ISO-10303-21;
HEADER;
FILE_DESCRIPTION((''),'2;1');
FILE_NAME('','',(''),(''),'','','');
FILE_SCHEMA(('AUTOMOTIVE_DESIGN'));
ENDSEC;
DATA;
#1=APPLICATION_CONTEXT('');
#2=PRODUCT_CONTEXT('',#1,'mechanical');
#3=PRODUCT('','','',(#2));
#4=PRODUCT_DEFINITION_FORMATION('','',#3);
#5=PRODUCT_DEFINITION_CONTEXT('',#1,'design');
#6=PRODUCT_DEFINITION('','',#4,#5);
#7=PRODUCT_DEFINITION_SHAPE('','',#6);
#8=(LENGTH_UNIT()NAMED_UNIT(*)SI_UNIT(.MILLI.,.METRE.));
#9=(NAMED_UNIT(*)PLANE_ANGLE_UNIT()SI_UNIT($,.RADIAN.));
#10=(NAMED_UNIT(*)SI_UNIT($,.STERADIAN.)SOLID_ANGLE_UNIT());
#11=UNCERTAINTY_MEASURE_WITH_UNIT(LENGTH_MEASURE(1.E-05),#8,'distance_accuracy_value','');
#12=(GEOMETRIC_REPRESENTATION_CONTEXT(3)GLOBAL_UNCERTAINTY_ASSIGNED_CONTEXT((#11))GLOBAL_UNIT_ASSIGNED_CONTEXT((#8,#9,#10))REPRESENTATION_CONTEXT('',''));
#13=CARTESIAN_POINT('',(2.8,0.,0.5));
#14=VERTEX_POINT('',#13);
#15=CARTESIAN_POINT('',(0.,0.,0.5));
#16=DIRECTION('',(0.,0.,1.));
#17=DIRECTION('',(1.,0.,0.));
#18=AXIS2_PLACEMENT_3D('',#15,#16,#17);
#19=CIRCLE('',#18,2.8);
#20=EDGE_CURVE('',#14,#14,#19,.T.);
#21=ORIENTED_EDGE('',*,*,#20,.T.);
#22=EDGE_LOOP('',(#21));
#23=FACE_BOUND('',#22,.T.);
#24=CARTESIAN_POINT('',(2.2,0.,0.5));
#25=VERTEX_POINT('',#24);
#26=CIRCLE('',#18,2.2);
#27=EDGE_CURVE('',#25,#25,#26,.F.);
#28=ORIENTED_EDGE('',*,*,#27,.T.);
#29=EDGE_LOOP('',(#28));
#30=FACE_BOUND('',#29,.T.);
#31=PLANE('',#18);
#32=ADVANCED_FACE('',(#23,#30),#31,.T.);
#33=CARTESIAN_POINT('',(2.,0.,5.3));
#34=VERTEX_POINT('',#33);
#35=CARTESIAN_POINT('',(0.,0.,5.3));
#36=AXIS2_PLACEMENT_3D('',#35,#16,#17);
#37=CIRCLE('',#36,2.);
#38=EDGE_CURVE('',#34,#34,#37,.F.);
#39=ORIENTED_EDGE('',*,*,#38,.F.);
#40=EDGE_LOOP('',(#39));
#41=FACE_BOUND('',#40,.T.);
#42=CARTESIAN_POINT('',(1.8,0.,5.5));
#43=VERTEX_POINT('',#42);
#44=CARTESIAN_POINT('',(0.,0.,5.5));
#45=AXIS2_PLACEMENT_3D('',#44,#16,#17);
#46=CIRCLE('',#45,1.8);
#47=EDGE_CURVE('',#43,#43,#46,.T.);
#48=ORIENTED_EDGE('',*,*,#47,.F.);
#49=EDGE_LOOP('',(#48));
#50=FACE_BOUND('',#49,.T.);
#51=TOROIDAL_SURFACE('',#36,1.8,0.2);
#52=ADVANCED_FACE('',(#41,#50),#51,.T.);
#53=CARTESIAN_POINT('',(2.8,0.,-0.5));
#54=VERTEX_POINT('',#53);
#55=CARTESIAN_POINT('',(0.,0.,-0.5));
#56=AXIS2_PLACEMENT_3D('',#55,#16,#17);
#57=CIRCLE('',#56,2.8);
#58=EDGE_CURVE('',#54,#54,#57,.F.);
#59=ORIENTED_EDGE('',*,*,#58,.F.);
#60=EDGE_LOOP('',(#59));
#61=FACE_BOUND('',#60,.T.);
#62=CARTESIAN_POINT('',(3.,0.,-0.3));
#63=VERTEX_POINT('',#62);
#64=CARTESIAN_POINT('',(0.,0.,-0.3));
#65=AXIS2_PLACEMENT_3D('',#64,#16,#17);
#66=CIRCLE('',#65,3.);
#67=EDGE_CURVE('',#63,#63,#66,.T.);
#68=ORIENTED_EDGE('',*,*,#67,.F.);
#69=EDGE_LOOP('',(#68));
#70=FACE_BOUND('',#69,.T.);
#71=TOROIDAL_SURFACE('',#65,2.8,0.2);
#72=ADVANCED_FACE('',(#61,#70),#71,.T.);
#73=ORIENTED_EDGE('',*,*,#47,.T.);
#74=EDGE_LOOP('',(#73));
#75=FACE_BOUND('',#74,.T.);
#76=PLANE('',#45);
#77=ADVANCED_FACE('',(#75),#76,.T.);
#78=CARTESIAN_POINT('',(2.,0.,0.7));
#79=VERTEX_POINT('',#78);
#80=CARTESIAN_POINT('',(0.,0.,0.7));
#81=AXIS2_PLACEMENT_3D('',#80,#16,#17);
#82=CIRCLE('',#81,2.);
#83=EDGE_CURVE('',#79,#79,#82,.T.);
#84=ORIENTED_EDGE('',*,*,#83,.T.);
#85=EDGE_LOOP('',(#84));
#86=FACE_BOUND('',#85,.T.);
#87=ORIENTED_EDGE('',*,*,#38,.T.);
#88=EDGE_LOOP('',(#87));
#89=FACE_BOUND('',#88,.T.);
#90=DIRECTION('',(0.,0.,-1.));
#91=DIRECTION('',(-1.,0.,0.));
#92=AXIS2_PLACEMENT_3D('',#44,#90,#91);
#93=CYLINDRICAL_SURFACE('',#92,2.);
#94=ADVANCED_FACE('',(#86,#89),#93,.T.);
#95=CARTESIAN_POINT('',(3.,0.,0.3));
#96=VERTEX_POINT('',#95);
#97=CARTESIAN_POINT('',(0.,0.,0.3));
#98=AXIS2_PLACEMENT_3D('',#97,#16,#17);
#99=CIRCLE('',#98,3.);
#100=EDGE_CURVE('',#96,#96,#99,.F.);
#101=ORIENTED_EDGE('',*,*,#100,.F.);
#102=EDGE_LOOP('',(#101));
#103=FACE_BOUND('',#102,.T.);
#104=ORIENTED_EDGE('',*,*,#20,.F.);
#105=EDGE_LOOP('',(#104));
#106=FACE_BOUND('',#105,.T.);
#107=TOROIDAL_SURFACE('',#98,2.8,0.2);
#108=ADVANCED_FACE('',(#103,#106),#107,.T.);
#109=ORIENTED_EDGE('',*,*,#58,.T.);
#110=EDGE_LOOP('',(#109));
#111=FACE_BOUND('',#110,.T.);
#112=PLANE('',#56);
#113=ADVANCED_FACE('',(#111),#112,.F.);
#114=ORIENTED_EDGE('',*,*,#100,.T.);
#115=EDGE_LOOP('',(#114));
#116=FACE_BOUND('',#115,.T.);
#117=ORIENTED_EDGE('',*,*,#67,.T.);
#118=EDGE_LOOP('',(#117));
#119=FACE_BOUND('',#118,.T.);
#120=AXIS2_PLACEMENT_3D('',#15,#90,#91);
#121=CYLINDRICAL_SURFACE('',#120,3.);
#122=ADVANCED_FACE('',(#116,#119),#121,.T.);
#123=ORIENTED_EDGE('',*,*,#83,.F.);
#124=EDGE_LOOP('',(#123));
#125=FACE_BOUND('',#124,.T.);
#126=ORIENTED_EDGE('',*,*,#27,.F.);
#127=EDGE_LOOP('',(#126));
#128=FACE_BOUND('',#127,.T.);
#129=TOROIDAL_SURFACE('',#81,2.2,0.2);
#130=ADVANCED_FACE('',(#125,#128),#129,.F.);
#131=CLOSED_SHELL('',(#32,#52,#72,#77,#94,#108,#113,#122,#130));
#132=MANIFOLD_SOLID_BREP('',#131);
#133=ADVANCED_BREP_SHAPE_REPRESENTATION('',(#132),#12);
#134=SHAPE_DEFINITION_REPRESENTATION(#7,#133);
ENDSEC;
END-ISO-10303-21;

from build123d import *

# Parameters (mm, degrees)
SKETCH1_R           = 3
BOSS_EXTRUDE1_DEPTH = 0.5
SKETCH2_R           = 2
BOSS_EXTRUDE2_DEPTH = 5
FILLET1_R           = 0.2


with BuildPart() as part:
    # Sketch1 → Boss-Extrude1 (new, symmetric)
    with BuildSketch(Plane.XY):
        Circle(SKETCH1_R)
    extrude(amount=BOSS_EXTRUDE1_DEPTH, both=True)

    # Sketch2 → Boss-Extrude2 (add)
    with BuildSketch(Plane.XY.offset(0.5)):
        Circle(SKETCH2_R)
    extrude(amount=BOSS_EXTRUDE2_DEPTH)

    # Fillet1
    fillet1_edges = [part.edges().sort_by_distance(p)[0] for p in [
        (-3, 0, -0.5),
        (-3, 0, 0.5),
        (-2, 0, 0.5),
        (-2, 0, 5.5),
    ]]
    fillet(fillet1_edges, radius=FILLET1_R)


solid = part.part
